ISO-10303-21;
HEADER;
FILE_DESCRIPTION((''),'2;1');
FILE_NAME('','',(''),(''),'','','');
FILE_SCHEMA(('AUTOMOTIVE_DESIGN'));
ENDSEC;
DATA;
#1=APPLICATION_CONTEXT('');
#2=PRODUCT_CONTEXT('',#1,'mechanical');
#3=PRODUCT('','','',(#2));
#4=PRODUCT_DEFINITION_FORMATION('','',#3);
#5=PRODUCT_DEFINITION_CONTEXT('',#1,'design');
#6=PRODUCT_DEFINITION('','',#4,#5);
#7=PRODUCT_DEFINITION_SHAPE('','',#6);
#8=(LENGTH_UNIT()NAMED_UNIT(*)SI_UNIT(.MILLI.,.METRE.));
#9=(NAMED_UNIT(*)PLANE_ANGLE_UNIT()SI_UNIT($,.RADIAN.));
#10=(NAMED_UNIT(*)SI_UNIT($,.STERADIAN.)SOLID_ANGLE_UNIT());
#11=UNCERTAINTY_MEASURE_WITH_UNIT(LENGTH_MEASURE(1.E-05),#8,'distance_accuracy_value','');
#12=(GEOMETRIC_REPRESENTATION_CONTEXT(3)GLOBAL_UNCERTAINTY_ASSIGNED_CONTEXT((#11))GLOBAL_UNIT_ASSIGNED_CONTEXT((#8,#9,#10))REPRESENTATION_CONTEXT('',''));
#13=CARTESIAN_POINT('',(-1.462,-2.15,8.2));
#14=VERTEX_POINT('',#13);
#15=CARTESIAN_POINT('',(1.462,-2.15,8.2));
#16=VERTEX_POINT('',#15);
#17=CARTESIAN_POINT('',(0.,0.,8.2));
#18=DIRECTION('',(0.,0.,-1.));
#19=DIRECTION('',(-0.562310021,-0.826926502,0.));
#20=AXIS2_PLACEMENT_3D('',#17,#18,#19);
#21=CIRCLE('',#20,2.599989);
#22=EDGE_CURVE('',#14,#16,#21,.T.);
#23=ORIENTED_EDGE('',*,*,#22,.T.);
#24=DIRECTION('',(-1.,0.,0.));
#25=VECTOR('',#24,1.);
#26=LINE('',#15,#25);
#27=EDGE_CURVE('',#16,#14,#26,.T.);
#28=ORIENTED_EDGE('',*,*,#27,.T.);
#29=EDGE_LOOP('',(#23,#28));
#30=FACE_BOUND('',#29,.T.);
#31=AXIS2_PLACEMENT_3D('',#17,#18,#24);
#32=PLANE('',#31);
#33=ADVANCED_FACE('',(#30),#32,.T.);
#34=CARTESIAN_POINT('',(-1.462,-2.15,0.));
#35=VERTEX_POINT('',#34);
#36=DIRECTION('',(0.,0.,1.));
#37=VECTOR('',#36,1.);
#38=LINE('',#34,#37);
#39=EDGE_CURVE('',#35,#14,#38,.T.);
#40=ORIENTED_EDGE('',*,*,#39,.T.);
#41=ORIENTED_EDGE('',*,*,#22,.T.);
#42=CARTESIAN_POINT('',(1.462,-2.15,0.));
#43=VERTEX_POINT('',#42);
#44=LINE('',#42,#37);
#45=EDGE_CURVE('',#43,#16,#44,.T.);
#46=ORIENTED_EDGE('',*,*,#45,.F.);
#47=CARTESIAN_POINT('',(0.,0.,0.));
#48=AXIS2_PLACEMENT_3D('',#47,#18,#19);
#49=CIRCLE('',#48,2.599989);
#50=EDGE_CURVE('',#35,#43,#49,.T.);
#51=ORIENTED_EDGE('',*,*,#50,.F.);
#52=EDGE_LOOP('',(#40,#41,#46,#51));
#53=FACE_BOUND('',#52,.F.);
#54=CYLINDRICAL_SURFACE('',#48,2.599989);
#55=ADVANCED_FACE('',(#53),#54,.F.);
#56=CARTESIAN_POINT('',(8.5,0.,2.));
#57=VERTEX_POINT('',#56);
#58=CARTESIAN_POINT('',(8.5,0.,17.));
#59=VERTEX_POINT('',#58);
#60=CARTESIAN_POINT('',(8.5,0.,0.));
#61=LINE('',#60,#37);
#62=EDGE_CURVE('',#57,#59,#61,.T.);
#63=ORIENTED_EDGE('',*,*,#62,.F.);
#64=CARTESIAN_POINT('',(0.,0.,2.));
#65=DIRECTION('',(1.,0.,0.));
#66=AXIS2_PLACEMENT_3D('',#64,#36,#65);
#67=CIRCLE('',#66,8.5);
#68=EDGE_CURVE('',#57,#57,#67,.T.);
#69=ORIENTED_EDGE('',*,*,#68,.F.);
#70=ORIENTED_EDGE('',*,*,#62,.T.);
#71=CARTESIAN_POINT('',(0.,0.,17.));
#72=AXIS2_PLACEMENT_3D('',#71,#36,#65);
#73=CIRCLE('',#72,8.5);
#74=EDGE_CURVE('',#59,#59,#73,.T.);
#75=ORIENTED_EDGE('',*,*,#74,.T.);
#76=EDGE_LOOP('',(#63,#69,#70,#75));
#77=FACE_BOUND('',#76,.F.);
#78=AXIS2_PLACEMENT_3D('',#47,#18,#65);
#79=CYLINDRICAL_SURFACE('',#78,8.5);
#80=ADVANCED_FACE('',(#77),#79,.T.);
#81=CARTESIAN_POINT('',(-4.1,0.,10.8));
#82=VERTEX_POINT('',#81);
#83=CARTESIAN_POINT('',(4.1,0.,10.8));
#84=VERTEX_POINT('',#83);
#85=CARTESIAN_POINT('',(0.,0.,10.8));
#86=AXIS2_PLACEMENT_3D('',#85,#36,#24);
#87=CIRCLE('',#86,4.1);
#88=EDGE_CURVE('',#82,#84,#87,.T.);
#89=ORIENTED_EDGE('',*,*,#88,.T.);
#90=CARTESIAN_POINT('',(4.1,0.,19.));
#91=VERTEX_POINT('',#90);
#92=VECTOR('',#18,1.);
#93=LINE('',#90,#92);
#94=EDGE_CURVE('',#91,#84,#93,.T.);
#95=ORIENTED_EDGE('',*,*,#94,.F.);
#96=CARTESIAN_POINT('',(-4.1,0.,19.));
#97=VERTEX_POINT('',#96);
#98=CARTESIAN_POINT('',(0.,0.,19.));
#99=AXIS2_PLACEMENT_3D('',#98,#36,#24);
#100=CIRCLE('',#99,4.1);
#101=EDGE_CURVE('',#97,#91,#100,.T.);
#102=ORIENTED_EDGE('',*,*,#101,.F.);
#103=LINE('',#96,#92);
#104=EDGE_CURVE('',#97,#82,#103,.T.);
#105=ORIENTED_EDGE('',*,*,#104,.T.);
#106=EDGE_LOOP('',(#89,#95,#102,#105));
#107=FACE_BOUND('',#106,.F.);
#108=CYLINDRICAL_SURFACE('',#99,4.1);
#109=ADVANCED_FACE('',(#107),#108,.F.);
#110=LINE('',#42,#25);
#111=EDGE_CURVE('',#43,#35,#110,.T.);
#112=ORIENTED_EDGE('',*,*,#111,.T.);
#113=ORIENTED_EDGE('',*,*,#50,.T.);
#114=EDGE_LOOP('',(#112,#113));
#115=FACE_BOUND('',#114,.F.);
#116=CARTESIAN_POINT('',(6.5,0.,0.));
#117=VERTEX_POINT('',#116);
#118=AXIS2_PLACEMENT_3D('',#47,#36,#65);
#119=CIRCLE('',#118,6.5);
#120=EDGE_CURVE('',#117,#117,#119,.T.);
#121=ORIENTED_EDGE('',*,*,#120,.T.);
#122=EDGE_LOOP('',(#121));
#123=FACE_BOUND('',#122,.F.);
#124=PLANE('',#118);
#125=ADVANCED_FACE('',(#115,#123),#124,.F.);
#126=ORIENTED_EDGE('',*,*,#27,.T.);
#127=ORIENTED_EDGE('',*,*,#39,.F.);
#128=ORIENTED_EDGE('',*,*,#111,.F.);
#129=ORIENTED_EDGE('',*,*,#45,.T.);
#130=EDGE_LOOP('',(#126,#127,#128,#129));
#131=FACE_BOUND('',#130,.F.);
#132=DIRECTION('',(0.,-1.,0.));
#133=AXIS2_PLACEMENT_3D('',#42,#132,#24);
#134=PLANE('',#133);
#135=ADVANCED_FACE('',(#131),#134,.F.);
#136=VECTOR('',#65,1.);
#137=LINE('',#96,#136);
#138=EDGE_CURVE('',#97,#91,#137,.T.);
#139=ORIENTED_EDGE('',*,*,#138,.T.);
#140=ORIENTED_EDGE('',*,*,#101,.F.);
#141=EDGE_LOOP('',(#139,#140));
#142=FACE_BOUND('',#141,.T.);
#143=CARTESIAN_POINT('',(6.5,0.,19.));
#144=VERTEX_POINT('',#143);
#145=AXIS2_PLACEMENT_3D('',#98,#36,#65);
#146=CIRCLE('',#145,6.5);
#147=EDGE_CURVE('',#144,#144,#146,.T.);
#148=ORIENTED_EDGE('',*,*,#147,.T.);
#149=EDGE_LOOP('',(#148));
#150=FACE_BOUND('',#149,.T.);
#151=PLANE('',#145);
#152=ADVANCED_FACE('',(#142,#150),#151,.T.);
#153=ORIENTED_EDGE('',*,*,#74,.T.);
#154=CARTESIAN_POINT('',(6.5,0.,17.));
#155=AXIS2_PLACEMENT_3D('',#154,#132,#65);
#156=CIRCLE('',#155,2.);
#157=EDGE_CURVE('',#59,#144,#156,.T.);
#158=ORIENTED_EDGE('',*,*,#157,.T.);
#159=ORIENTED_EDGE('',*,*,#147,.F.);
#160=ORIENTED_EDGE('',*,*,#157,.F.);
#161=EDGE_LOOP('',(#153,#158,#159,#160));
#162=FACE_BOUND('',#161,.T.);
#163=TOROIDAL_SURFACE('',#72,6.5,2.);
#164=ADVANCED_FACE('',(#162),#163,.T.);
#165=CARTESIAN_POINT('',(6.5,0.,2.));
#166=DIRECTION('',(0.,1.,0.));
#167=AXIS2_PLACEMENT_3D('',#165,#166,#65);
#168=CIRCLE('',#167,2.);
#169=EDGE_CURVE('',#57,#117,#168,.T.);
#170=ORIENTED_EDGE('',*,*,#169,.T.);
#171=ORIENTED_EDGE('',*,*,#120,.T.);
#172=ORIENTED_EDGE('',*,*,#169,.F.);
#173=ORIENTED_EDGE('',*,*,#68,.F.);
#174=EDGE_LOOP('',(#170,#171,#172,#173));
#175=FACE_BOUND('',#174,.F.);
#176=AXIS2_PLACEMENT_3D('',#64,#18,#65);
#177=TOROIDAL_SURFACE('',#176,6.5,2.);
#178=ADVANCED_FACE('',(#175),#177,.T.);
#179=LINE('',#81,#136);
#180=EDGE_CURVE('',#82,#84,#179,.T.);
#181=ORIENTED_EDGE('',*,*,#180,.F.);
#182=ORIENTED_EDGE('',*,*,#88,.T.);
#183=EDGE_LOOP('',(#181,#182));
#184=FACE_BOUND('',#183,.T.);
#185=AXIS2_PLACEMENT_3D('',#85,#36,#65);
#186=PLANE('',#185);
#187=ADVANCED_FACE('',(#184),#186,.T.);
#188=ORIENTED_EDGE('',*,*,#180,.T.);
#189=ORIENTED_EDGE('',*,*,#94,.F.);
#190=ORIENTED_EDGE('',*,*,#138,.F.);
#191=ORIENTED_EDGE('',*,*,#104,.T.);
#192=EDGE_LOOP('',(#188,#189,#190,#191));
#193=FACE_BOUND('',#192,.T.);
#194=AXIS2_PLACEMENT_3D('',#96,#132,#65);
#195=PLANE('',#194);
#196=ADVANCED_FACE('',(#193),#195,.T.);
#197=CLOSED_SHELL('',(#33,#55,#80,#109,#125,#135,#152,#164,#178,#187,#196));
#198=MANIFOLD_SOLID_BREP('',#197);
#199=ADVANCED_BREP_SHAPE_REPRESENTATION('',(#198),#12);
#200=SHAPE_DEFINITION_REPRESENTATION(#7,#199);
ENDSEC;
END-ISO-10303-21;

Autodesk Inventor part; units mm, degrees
ref_plane "YZ Plane" through (0, 0, 0) normal (1, 0, 0) x (0, 1, 0)
ref_plane "XZ Plane" through (0, 0, 0) normal (0, 1, 0) x (-1, 0, 0)
ref_plane "XY Plane" through (0, 0, 0) normal (0, 0, 1) x (1, 0, 0)
sketch "Skizze1" plane through (0, 0, 0) normal (0, 0, 1) x (1, 0, 0)
  circle A0 centre (0, 0) radius 8.5
  dimension "d0" = 17
extrude "Extrusion1" add sketch "Skizze1" along normal blind 19
fillet "Rundung1" radius 2 2 edges at (-8.5, 0, 19) (-8.5, 0, 0)
sketch "Skizze2" plane through (0, 0, 19) normal (0, 0, 1) x (1, 0, 0)
  arc A0 (-4.1, 0) -> (4.1, 0) centre (0, 0) ccw
  line L0 (-4.1, 0) -> (4.1, 0)
  dimension "d4" = 8.2
extrude "Extrusion2" cut sketch "Skizze2" against normal blind 8.2
sketch "Skizze3" plane through (0, 0, 0) normal (0, 0, -1) x (-1, 0, 0)
  arc A0 (1.462, -2.15) -> (-1.462, -2.15) centre (0, 0) ccw
  line L0 (-1.462, -2.15) -> (1.462, -2.15)
  point P0 (0, -2.15)
  dimension "d8" = 5.2
extrude "Extrusion3" cut sketch "Skizze3" against normal blind 8.2
properties part number "Connector 001"
